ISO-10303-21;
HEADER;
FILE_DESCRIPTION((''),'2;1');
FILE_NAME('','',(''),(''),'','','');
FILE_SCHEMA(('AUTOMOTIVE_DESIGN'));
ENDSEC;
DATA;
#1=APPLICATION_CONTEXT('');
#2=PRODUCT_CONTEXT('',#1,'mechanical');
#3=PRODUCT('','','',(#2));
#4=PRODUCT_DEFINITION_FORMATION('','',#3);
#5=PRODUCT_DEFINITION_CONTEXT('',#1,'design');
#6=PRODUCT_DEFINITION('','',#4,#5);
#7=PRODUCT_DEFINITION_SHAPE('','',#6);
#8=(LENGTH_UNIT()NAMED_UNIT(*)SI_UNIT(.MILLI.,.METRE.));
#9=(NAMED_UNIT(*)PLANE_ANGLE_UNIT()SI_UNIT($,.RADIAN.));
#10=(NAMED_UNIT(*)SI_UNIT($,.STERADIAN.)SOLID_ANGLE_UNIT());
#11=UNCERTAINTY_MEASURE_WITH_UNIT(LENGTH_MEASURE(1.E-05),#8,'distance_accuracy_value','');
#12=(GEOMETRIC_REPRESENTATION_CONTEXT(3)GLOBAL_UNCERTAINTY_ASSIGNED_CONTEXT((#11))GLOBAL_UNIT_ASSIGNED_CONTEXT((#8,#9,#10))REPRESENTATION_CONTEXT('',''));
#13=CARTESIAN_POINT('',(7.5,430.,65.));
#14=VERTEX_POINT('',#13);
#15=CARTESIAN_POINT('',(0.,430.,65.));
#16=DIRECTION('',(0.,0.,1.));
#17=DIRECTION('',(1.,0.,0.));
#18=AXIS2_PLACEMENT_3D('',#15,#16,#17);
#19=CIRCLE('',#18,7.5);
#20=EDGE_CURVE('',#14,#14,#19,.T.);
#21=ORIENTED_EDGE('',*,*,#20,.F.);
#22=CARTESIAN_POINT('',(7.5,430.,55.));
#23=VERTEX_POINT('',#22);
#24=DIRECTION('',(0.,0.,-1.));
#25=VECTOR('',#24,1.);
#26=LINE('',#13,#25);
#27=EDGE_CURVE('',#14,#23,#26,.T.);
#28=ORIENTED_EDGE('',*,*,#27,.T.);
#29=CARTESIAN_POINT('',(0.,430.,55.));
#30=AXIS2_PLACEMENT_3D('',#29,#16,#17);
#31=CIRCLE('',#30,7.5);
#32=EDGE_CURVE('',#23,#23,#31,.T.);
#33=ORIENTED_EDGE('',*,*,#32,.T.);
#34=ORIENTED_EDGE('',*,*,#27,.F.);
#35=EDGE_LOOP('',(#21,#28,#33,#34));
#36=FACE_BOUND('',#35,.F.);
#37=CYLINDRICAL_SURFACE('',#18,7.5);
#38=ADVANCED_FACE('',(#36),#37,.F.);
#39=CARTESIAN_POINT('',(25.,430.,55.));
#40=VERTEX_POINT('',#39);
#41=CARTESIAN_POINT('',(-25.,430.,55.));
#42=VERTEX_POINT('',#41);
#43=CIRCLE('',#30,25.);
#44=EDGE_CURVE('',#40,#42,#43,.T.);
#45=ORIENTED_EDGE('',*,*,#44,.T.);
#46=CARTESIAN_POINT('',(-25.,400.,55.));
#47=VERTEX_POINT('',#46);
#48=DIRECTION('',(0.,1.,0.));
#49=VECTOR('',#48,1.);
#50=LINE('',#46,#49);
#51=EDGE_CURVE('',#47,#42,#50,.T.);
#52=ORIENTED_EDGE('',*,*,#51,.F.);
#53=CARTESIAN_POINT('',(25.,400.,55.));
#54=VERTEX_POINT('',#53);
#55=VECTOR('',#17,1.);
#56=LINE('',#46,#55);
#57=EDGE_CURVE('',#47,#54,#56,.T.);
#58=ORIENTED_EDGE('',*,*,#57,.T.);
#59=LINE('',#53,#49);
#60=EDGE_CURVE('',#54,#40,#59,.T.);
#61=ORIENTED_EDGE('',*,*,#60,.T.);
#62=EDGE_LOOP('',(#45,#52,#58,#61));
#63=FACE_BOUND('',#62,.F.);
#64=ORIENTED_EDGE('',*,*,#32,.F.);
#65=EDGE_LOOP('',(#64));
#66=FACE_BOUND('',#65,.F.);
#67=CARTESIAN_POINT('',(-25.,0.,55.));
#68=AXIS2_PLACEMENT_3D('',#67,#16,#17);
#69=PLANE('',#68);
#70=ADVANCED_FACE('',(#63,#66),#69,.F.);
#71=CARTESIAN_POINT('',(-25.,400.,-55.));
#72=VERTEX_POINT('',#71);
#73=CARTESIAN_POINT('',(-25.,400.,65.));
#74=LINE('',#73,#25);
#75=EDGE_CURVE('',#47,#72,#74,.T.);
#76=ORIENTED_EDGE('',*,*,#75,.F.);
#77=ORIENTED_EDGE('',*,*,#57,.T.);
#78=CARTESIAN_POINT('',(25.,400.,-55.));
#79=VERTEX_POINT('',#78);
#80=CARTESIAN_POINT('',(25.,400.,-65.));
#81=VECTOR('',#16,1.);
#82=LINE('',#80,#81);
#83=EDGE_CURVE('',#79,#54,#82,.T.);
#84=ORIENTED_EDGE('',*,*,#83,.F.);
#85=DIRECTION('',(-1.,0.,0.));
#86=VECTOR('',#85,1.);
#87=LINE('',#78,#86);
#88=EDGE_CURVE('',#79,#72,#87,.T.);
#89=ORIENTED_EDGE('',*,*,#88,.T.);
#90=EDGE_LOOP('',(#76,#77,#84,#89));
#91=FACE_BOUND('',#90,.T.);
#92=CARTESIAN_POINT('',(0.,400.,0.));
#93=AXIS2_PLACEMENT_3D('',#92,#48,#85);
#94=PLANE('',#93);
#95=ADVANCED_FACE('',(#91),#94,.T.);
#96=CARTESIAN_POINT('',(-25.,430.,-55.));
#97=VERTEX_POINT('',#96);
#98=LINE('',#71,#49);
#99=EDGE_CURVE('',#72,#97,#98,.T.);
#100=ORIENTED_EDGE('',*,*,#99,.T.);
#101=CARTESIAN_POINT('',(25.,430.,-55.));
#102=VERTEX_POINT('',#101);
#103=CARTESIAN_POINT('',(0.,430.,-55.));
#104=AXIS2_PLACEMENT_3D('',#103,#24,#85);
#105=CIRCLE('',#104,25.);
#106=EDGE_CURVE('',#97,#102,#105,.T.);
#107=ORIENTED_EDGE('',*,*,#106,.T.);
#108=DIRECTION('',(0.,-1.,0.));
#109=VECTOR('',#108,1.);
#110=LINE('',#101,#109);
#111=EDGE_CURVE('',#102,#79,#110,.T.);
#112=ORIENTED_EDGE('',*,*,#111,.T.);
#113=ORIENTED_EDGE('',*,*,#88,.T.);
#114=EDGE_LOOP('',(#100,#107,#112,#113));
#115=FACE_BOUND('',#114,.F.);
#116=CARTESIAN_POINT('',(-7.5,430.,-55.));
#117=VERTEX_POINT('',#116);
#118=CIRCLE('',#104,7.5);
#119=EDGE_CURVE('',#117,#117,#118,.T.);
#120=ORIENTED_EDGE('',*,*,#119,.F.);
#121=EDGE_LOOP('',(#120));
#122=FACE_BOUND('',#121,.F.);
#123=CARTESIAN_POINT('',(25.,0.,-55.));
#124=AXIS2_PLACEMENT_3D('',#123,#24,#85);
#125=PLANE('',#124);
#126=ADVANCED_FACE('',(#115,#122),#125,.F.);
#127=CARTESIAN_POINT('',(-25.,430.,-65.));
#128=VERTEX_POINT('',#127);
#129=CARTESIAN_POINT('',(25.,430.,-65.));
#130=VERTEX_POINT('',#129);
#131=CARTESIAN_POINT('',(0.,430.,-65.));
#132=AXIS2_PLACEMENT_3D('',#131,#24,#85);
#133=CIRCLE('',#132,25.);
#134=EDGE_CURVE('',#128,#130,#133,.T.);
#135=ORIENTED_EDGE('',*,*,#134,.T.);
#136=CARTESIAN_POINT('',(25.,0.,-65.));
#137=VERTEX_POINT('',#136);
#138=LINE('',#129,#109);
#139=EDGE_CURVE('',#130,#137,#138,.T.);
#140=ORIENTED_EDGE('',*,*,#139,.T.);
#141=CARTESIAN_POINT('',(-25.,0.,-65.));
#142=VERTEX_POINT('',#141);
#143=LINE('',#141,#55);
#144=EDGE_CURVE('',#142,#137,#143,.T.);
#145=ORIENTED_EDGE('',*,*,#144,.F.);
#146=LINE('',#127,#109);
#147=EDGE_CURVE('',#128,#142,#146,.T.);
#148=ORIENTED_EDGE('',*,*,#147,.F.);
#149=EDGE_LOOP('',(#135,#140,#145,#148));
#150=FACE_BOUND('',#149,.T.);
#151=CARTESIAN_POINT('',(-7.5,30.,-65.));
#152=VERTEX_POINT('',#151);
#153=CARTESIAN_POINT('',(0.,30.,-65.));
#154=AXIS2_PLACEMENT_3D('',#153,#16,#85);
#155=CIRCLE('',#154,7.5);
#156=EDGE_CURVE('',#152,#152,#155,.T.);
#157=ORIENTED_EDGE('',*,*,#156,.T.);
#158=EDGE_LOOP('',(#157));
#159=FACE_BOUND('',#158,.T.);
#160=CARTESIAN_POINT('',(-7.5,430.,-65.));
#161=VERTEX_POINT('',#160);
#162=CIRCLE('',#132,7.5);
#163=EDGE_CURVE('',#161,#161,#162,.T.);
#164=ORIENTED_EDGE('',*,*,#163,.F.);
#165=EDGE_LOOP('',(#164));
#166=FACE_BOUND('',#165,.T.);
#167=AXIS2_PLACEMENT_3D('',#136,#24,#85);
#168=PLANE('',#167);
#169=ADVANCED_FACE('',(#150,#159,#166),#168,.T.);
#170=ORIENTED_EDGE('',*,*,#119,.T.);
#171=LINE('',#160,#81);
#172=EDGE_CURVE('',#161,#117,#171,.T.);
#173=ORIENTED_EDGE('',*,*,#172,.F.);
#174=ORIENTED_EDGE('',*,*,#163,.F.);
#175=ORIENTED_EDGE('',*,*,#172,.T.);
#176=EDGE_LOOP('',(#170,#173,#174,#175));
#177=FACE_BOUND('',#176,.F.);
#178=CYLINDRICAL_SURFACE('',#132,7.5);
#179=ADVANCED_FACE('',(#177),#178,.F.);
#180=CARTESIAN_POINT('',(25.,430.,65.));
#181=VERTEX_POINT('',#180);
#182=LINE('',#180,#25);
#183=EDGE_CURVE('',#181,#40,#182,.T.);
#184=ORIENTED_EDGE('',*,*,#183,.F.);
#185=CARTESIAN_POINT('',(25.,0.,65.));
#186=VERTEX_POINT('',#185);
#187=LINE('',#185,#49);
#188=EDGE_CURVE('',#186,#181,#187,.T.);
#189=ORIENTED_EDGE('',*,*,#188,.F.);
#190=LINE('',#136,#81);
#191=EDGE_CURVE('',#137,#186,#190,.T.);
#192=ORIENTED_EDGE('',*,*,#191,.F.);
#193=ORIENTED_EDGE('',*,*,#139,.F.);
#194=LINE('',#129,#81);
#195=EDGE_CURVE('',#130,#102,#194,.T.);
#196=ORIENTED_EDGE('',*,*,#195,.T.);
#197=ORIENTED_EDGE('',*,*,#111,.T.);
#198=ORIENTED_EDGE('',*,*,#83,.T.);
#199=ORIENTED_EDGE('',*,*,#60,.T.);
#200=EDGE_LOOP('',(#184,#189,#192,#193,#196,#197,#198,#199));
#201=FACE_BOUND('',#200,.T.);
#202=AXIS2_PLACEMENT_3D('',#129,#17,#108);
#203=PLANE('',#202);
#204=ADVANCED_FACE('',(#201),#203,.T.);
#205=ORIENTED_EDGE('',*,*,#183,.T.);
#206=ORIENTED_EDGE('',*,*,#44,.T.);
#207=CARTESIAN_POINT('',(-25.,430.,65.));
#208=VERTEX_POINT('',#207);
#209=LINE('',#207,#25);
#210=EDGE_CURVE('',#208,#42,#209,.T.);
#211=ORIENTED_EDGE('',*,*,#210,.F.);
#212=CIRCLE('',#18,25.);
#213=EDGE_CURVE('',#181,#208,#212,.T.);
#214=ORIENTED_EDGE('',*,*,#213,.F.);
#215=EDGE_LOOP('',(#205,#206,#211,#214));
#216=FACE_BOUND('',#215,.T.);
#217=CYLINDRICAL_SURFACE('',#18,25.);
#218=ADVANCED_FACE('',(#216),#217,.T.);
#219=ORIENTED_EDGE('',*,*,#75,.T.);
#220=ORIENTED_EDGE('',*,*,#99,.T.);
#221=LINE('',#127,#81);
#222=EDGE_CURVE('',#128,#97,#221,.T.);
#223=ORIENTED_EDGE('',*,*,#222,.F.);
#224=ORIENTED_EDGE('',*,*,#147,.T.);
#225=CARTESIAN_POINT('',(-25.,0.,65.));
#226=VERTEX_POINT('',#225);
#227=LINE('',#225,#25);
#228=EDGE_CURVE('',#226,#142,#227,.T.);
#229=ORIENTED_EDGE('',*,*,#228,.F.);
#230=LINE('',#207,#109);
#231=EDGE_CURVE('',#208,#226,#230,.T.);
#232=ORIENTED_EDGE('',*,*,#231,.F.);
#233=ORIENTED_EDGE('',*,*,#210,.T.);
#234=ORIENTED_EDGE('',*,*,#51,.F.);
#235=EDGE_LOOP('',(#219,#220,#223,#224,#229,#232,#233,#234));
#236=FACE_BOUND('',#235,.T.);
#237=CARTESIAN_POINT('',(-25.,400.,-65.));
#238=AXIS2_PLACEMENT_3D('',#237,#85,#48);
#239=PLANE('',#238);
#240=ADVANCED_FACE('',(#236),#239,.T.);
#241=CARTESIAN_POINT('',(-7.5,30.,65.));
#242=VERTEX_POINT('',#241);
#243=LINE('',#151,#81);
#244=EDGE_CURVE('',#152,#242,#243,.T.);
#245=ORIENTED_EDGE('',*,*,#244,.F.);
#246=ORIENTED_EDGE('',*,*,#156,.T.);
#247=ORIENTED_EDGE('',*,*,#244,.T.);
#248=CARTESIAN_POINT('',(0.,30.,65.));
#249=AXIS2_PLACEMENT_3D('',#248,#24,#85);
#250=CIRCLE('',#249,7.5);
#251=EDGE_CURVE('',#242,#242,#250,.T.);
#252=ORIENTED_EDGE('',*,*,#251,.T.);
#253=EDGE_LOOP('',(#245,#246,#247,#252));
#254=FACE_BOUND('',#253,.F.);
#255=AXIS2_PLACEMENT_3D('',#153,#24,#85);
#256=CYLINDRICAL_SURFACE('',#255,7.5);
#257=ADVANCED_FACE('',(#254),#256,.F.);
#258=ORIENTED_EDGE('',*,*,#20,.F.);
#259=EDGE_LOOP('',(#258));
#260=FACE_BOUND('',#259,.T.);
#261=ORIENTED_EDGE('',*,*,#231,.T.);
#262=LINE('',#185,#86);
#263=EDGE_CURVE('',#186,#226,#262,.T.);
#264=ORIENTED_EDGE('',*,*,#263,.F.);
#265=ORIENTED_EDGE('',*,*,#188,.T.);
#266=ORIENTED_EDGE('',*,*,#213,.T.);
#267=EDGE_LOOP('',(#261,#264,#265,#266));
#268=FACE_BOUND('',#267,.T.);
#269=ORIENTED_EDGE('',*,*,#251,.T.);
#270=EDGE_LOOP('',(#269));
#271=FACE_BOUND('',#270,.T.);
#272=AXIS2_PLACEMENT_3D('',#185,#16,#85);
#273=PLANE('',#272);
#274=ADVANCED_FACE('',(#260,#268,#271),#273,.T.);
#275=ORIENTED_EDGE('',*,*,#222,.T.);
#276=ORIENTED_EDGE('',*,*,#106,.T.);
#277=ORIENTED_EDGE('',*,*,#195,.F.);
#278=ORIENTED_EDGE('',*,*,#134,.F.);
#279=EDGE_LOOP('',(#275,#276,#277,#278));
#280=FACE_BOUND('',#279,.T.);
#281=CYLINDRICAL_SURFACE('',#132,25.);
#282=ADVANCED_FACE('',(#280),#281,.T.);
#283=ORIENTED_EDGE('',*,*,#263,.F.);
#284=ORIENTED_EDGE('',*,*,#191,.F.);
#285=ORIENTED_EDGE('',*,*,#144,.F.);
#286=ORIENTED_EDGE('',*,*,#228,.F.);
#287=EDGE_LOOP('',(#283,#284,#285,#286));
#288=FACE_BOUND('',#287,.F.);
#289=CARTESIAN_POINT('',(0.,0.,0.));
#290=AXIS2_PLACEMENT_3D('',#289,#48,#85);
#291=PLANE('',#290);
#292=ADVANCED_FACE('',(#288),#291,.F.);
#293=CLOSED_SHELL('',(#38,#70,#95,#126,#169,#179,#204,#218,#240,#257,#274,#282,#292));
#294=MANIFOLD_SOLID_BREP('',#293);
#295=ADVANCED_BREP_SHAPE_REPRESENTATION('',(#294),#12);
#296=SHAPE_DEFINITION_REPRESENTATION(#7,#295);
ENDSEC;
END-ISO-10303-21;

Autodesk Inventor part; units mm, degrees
ref_plane "YZ Plane" through (0, 0, 0) normal (1, 0, 0) x (0, 1, 0)
ref_plane "XZ Plane" through (0, 0, 0) normal (0, 1, 0) x (-1, 0, 0)
ref_plane "XY Plane" through (0, 0, 0) normal (0, 0, 1) x (1, 0, 0)
sketch "Boceto1" plane through (0, 0, 0) normal (0, 1, 0) x (-1, 0, 0)
  line L0 (-25, 65) -> (25, 65)
  line L1 (25, 65) -> (25, -65)
  line L2 (25, -65) -> (-25, -65)
  line L3 (-25, -65) -> (-25, 65)
  line L4 (-25, 65) -> (25, -65) construction
  line L5 (25, 65) -> (-25, -65) construction
  point P0 (0, 0)
  dimension "d0" = 50
  dimension "d1" = 130
extrude "Extrusión1" add sketch "Boceto1" along normal blind 400
sketch "Boceto2" plane through (-25, 0, 65) normal (0, 0, 1) x (1, 0, 0)
  line L0 (0, 400) -> (50, 400) projected
  line L1 (0, 400) -> (0, 430)
  line L2 (50, 400) -> (50, 430)
  arc A0 (50, 430) -> (0, 430) centre (25, 430) ccw
  circle A1 centre (25, 430) radius 7.5
  point P0 (25, 0)
  dimension "d4" = 30
  dimension "d5" = 30
  dimension "d6" = 15
extrude "Extrusión2" add sketch "Boceto2" against normal blind 10
sketch "Boceto3" plane through (25, 0, -65) normal (0, 0, -1) x (-1, 0, 0)
  arc A0 (50, 430) -> (0, 430) centre (25, 430) ccw projected
  circle A1 centre (25, 430) radius 7.5 projected
  line L0 (50, 400) -> (50, 430) projected
  line L1 (0, 400) -> (50, 400) projected
  line L2 (0, 430) -> (0, 400) projected
  point P0 (25, 0)
extrude "Extrusión3" add sketch "Boceto3" against normal blind 10
sketch "Boceto4" plane through (25, 0, -65) normal (0, 0, -1) x (-1, 0, 0)
  line L0 (25, 0) -> (25, 30)
  circle A0 centre (25, 30) radius 7.5
  dimension "d11" = 30
  dimension "d12" = 15
extrude "Extrusión4" cut sketch "Boceto4" against normal up to next
properties part number "brazo 1"
